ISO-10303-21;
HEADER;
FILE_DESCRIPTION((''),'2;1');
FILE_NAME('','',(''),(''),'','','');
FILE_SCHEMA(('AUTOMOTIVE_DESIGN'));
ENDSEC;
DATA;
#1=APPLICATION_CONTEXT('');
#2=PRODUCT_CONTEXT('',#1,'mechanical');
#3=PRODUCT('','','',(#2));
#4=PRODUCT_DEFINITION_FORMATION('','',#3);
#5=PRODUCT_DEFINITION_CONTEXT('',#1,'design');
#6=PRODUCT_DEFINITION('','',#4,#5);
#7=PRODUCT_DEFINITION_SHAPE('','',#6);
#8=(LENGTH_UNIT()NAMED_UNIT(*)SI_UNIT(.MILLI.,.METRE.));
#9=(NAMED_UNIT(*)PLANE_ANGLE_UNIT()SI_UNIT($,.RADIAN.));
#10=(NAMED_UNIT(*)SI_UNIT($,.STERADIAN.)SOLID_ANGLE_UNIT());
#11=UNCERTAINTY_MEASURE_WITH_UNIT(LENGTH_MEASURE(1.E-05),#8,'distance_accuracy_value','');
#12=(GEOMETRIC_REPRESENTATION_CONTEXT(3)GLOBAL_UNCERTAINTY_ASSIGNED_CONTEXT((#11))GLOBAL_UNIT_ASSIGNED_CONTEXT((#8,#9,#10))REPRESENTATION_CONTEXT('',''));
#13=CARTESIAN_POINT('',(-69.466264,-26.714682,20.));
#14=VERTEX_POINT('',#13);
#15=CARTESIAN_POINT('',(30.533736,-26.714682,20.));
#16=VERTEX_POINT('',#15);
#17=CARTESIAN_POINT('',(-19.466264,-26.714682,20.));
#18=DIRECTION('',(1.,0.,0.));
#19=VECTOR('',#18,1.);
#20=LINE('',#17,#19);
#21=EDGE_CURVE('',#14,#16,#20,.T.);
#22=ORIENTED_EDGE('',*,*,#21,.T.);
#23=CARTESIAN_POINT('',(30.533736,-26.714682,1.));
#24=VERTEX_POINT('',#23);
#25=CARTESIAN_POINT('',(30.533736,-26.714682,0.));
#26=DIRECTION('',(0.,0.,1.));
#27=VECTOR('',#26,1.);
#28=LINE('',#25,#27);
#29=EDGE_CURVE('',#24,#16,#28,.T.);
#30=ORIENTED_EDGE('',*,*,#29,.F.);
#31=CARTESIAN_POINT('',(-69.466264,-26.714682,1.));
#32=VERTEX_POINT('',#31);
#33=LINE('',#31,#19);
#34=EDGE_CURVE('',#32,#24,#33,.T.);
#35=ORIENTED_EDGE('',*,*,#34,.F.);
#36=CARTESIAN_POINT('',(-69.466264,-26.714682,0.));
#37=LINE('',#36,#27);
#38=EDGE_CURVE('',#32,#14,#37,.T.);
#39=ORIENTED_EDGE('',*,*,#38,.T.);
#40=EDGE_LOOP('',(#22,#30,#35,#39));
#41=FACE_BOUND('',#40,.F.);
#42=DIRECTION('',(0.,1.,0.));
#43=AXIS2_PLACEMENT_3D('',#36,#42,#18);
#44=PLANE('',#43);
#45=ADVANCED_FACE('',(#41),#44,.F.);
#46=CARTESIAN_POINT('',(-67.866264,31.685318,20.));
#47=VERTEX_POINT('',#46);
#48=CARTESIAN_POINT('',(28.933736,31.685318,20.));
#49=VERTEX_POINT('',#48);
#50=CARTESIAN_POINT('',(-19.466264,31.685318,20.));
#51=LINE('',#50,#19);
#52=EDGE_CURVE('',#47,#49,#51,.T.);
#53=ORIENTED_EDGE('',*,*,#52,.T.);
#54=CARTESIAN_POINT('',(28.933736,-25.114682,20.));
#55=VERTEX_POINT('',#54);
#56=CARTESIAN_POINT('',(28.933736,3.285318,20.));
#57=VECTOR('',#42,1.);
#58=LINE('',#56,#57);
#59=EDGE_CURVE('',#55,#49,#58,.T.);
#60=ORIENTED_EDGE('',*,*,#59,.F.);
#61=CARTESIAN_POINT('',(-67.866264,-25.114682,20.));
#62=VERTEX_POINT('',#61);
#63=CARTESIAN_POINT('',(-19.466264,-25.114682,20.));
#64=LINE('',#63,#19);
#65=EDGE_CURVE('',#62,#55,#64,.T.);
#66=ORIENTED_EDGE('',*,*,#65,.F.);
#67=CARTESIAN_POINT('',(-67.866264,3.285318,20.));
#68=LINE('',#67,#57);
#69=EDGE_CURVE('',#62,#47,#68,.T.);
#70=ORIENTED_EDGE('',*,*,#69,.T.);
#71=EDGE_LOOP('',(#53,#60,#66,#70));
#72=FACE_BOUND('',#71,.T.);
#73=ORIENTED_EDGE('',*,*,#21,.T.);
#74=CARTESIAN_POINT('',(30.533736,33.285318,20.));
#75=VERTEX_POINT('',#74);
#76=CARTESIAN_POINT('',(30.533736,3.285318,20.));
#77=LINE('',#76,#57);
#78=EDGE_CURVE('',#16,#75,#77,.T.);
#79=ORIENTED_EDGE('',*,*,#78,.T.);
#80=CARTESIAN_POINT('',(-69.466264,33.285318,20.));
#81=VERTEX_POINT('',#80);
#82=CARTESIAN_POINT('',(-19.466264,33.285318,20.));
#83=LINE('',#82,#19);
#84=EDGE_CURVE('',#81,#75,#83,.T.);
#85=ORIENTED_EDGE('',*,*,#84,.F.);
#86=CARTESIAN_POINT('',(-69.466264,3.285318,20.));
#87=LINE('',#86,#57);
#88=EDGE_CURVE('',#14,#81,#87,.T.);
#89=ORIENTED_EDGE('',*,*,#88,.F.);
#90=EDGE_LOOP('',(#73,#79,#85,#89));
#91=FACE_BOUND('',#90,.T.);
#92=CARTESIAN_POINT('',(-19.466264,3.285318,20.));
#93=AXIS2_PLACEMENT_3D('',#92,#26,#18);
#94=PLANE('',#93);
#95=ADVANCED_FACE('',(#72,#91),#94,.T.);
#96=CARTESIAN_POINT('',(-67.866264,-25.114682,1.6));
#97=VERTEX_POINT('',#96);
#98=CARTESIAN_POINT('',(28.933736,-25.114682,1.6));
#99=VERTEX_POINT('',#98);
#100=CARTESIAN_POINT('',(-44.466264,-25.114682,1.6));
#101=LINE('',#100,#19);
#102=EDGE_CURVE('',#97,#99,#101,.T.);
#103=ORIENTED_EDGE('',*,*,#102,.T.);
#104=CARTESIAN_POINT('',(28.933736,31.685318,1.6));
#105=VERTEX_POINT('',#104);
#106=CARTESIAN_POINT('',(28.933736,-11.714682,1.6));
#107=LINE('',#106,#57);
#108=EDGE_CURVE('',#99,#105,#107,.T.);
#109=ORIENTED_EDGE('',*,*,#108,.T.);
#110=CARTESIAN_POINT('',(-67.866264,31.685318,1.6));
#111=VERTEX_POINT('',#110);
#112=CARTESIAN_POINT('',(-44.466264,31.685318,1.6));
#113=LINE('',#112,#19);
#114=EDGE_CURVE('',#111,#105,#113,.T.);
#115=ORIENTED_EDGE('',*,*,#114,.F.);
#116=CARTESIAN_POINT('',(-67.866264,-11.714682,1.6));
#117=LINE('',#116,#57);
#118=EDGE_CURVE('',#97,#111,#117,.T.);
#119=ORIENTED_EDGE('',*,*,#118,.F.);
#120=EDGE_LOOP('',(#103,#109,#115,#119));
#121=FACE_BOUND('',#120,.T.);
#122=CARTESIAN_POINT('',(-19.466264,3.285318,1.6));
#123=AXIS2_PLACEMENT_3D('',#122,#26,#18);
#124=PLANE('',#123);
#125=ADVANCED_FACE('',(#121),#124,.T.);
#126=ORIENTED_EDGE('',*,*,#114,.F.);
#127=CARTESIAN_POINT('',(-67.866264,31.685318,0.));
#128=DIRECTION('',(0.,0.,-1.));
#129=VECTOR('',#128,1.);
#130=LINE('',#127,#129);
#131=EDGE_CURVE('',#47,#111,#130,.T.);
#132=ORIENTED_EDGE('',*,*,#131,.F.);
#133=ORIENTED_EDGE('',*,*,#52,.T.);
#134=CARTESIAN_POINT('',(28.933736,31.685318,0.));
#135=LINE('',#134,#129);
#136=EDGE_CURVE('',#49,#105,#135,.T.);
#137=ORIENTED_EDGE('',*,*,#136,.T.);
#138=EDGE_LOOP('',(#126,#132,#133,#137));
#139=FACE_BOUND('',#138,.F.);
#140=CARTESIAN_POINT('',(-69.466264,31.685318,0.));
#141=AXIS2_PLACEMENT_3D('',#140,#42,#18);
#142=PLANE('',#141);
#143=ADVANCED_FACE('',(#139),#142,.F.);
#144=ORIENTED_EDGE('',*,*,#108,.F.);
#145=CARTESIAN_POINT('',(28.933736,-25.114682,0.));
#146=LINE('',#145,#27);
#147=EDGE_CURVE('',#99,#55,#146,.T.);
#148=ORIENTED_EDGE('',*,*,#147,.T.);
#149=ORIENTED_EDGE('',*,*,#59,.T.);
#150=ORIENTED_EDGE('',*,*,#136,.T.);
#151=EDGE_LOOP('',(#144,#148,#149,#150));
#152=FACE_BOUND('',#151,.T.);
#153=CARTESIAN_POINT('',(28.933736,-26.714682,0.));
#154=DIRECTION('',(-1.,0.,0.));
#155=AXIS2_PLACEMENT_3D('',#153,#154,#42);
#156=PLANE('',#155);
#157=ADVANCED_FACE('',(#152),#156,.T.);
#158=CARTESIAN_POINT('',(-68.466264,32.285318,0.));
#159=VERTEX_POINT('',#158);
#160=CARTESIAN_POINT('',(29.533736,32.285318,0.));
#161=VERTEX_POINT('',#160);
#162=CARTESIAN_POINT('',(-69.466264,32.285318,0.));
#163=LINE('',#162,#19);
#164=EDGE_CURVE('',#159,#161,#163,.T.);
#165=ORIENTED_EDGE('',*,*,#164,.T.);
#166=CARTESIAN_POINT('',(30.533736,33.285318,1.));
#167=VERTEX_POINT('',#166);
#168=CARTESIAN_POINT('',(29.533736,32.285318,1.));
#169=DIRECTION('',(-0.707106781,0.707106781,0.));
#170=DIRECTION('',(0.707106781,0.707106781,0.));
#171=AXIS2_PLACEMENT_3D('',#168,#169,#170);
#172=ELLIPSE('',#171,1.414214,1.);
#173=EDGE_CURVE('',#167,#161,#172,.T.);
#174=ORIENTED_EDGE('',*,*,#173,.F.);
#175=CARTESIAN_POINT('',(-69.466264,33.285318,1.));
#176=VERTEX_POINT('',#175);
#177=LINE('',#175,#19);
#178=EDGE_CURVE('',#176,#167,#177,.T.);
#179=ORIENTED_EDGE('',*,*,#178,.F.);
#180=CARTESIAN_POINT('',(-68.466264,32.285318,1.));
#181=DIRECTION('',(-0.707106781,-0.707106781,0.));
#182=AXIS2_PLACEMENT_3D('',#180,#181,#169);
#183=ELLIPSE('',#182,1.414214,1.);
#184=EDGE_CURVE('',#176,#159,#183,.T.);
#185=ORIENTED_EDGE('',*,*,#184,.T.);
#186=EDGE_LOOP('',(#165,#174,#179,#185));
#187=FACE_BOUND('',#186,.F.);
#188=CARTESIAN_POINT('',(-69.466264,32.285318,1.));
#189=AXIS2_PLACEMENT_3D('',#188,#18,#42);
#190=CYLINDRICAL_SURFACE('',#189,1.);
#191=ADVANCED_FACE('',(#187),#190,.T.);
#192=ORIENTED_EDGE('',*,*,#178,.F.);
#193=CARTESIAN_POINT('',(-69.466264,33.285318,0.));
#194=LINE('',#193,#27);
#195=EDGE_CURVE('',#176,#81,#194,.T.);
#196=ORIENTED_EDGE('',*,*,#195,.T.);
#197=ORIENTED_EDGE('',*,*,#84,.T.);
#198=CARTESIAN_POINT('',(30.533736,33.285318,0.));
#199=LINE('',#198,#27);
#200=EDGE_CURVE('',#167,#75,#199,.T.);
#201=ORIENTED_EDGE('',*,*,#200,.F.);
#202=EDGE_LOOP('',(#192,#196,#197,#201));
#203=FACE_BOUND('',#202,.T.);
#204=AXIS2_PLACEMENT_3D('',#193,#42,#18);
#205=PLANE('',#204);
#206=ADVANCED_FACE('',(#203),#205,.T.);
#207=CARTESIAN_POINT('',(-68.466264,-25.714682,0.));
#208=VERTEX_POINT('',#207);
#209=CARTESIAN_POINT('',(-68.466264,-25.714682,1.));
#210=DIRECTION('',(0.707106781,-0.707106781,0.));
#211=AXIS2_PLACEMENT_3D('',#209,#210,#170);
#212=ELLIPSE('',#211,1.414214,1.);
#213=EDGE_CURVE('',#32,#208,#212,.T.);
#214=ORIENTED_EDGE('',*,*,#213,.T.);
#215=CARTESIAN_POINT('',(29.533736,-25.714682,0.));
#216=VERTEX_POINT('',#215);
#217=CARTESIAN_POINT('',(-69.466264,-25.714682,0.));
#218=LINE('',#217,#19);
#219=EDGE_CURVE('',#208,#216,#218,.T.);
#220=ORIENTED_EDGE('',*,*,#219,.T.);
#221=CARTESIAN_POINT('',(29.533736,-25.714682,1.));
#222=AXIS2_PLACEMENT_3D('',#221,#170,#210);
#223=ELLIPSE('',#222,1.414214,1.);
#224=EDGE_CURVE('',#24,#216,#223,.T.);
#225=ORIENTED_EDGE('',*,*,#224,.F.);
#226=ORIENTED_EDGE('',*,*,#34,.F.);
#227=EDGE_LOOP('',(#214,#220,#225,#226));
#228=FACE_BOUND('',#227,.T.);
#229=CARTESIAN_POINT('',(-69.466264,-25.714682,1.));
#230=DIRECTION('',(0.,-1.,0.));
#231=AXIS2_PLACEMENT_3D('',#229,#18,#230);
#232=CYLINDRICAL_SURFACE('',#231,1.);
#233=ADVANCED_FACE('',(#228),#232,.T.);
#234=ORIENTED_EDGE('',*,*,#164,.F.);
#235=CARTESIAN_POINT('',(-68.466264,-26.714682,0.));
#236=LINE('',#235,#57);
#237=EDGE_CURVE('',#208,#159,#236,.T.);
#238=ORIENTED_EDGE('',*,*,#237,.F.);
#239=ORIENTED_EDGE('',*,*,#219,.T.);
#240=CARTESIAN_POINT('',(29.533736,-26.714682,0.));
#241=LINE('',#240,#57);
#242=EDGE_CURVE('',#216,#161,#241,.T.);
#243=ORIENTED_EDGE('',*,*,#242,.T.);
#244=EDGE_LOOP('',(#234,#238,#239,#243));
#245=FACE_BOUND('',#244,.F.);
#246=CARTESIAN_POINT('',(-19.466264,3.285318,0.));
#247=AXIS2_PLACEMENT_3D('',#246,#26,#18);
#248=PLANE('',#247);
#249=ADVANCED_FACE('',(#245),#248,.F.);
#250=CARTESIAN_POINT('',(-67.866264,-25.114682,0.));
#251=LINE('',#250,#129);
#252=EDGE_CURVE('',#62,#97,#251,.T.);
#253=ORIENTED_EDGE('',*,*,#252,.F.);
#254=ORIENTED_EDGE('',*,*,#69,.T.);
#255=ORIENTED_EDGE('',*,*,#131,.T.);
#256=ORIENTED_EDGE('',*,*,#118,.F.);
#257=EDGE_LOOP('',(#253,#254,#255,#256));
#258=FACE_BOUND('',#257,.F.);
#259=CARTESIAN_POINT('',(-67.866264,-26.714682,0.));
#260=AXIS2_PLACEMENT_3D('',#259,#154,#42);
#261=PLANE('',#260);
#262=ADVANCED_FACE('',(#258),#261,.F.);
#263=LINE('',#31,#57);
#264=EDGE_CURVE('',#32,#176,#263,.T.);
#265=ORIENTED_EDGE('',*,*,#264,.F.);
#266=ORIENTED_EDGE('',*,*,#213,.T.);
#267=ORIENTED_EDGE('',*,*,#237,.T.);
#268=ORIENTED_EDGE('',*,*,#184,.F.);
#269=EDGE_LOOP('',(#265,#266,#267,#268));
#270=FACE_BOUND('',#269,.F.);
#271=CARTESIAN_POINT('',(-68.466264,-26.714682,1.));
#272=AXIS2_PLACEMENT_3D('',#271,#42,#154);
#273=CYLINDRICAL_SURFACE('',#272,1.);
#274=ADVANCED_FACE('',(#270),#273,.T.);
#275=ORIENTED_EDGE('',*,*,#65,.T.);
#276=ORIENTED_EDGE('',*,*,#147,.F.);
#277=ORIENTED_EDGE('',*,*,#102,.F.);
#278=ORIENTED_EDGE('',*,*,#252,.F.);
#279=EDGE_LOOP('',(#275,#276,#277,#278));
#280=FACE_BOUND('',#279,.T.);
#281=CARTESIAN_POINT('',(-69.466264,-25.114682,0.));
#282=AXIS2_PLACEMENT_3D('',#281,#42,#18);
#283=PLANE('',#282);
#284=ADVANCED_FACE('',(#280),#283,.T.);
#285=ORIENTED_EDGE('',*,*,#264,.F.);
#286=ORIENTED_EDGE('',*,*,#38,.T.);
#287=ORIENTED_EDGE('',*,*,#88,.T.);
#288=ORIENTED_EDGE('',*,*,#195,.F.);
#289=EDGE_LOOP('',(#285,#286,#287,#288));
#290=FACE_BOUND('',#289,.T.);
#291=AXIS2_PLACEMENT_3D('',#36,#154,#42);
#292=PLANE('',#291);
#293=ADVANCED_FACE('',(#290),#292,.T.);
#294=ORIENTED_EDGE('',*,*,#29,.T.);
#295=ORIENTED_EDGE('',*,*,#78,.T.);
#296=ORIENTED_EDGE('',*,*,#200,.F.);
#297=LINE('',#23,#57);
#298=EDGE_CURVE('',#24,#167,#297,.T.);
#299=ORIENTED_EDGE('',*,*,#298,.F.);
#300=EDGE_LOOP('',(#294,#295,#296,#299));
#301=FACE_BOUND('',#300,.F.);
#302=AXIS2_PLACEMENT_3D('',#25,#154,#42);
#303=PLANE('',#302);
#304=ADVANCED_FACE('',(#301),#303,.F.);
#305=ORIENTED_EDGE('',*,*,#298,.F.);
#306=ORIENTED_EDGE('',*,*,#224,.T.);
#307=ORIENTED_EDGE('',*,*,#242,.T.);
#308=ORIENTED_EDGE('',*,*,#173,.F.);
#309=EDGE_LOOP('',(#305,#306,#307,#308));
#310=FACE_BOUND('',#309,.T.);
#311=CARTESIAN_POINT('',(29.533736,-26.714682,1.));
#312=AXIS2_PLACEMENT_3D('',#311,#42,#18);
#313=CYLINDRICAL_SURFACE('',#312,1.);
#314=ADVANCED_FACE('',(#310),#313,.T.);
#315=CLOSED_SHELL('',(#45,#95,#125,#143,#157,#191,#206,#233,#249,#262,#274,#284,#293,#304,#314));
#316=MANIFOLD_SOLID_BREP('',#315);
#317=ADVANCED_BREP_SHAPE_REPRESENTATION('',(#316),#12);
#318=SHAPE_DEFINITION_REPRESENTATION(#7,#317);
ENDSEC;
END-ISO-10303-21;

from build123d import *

# Parameters (mm, degrees)
F0_W     = 100
F0_H     = 60
F1_DEPTH = 20
F2_T     = -1.6
F3_R     = 1


with BuildPart() as f1:
    # F0 (on Top) → F1 (new body)
    with BuildSketch(Plane.XY):
        with Locations((-19.466264, 3.285318)):
            Rectangle(F0_W, F0_H)
    extrude(amount=F1_DEPTH)

    # F2
    f2_openings = [f1.faces().sort_by_distance(p)[0] for p in [
        (-19.466264, 3.285318, 20),
    ]]
    offset(amount=F2_T, openings=f2_openings)

    # F3
    f3_edges = [f1.edges().sort_by_distance(p)[0] for p in [
        (-69.466264, 3.285318, 0),
        (-19.466264, -26.714682, 0),
        (30.533736, 3.285318, 0),
        (-19.466264, 33.285318, 0),
    ]]
    fillet(f3_edges, radius=F3_R)


solid = f1.part
